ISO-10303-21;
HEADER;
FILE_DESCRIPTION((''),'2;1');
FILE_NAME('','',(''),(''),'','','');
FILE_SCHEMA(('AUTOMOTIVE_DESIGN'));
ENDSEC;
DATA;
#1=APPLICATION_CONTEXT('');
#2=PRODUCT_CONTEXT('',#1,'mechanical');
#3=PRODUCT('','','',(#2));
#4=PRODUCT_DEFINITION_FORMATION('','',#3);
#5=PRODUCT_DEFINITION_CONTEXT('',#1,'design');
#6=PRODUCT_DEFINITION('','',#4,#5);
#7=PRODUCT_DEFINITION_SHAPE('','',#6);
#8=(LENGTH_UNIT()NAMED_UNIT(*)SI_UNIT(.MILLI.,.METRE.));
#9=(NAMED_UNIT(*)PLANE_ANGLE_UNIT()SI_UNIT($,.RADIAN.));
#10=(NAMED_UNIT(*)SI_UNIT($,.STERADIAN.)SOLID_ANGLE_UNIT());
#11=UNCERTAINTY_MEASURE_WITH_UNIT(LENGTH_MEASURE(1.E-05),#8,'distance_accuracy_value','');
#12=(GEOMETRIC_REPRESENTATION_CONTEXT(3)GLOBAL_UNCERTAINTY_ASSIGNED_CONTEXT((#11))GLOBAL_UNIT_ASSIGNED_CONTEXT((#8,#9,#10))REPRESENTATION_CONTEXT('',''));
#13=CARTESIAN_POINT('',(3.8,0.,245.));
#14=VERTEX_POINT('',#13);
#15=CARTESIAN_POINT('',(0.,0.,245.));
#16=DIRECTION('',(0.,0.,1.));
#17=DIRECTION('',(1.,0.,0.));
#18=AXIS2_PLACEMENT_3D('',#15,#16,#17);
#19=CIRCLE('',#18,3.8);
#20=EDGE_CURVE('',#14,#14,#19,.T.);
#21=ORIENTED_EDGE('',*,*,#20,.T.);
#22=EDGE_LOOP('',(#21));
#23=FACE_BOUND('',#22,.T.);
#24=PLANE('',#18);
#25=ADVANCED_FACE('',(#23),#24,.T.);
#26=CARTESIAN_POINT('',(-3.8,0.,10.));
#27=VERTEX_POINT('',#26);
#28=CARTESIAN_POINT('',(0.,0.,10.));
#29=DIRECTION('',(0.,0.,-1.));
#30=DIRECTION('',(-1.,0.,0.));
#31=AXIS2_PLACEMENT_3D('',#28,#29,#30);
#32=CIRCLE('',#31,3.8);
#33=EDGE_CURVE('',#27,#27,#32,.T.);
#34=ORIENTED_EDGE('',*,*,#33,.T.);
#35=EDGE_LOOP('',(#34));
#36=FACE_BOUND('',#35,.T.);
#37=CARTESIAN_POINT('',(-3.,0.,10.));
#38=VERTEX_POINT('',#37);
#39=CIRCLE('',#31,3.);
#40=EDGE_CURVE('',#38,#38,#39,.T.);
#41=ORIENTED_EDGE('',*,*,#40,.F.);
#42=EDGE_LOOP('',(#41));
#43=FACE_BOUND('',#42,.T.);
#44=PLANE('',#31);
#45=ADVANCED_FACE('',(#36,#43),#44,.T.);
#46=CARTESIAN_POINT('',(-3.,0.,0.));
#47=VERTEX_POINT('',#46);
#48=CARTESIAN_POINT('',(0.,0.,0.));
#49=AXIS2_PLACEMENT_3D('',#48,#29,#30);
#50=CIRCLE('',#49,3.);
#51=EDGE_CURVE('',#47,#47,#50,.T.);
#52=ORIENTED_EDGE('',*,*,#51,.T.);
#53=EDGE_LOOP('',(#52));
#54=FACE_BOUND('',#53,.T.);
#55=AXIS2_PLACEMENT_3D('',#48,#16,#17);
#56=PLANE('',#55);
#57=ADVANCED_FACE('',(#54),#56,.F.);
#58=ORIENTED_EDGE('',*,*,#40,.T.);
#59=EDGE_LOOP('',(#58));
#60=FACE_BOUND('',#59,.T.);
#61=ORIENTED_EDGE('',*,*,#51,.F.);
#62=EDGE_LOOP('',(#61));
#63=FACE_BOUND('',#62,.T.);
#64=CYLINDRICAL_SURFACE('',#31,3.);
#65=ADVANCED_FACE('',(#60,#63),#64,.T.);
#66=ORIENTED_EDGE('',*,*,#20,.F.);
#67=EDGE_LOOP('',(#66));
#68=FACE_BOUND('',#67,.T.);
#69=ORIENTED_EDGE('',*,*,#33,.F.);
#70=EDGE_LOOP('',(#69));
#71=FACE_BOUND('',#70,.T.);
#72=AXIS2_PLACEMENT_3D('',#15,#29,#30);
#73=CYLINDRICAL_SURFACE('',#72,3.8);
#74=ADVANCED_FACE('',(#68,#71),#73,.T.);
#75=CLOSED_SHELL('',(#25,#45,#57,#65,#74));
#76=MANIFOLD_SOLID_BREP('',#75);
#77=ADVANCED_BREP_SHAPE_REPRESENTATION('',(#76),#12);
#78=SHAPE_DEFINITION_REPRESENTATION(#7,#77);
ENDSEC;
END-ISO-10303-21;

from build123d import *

# Parameters (mm, degrees)
SKETCH1_R           = 3.8
BOSS_EXTRUDE1_DEPTH = 245
SKETCH2_OUTSIDE_W   = 58.648
SKETCH2_OUTSIDE_H   = 58.648
SKETCH2_OUTSIDE_R   = 3
CUT_EXTRUDE1_DEPTH  = 10


with BuildPart() as part:
    # Sketch1 → Boss-Extrude1 (new body)
    with BuildSketch(Plane.XY):
        Circle(SKETCH1_R)
    extrude(amount=BOSS_EXTRUDE1_DEPTH)

    # Sketch2 outside → Cut-Extrude1 (cut)
    with BuildSketch(Plane(origin=(0, 0, 0), x_dir=(-1, 0, 0), z_dir=(0, 0, -1))):
        Rectangle(SKETCH2_OUTSIDE_W, SKETCH2_OUTSIDE_H)
        Circle(SKETCH2_OUTSIDE_R, mode=Mode.SUBTRACT)
    extrude(amount=-CUT_EXTRUDE1_DEPTH, mode=Mode.SUBTRACT)


solid = part.part
